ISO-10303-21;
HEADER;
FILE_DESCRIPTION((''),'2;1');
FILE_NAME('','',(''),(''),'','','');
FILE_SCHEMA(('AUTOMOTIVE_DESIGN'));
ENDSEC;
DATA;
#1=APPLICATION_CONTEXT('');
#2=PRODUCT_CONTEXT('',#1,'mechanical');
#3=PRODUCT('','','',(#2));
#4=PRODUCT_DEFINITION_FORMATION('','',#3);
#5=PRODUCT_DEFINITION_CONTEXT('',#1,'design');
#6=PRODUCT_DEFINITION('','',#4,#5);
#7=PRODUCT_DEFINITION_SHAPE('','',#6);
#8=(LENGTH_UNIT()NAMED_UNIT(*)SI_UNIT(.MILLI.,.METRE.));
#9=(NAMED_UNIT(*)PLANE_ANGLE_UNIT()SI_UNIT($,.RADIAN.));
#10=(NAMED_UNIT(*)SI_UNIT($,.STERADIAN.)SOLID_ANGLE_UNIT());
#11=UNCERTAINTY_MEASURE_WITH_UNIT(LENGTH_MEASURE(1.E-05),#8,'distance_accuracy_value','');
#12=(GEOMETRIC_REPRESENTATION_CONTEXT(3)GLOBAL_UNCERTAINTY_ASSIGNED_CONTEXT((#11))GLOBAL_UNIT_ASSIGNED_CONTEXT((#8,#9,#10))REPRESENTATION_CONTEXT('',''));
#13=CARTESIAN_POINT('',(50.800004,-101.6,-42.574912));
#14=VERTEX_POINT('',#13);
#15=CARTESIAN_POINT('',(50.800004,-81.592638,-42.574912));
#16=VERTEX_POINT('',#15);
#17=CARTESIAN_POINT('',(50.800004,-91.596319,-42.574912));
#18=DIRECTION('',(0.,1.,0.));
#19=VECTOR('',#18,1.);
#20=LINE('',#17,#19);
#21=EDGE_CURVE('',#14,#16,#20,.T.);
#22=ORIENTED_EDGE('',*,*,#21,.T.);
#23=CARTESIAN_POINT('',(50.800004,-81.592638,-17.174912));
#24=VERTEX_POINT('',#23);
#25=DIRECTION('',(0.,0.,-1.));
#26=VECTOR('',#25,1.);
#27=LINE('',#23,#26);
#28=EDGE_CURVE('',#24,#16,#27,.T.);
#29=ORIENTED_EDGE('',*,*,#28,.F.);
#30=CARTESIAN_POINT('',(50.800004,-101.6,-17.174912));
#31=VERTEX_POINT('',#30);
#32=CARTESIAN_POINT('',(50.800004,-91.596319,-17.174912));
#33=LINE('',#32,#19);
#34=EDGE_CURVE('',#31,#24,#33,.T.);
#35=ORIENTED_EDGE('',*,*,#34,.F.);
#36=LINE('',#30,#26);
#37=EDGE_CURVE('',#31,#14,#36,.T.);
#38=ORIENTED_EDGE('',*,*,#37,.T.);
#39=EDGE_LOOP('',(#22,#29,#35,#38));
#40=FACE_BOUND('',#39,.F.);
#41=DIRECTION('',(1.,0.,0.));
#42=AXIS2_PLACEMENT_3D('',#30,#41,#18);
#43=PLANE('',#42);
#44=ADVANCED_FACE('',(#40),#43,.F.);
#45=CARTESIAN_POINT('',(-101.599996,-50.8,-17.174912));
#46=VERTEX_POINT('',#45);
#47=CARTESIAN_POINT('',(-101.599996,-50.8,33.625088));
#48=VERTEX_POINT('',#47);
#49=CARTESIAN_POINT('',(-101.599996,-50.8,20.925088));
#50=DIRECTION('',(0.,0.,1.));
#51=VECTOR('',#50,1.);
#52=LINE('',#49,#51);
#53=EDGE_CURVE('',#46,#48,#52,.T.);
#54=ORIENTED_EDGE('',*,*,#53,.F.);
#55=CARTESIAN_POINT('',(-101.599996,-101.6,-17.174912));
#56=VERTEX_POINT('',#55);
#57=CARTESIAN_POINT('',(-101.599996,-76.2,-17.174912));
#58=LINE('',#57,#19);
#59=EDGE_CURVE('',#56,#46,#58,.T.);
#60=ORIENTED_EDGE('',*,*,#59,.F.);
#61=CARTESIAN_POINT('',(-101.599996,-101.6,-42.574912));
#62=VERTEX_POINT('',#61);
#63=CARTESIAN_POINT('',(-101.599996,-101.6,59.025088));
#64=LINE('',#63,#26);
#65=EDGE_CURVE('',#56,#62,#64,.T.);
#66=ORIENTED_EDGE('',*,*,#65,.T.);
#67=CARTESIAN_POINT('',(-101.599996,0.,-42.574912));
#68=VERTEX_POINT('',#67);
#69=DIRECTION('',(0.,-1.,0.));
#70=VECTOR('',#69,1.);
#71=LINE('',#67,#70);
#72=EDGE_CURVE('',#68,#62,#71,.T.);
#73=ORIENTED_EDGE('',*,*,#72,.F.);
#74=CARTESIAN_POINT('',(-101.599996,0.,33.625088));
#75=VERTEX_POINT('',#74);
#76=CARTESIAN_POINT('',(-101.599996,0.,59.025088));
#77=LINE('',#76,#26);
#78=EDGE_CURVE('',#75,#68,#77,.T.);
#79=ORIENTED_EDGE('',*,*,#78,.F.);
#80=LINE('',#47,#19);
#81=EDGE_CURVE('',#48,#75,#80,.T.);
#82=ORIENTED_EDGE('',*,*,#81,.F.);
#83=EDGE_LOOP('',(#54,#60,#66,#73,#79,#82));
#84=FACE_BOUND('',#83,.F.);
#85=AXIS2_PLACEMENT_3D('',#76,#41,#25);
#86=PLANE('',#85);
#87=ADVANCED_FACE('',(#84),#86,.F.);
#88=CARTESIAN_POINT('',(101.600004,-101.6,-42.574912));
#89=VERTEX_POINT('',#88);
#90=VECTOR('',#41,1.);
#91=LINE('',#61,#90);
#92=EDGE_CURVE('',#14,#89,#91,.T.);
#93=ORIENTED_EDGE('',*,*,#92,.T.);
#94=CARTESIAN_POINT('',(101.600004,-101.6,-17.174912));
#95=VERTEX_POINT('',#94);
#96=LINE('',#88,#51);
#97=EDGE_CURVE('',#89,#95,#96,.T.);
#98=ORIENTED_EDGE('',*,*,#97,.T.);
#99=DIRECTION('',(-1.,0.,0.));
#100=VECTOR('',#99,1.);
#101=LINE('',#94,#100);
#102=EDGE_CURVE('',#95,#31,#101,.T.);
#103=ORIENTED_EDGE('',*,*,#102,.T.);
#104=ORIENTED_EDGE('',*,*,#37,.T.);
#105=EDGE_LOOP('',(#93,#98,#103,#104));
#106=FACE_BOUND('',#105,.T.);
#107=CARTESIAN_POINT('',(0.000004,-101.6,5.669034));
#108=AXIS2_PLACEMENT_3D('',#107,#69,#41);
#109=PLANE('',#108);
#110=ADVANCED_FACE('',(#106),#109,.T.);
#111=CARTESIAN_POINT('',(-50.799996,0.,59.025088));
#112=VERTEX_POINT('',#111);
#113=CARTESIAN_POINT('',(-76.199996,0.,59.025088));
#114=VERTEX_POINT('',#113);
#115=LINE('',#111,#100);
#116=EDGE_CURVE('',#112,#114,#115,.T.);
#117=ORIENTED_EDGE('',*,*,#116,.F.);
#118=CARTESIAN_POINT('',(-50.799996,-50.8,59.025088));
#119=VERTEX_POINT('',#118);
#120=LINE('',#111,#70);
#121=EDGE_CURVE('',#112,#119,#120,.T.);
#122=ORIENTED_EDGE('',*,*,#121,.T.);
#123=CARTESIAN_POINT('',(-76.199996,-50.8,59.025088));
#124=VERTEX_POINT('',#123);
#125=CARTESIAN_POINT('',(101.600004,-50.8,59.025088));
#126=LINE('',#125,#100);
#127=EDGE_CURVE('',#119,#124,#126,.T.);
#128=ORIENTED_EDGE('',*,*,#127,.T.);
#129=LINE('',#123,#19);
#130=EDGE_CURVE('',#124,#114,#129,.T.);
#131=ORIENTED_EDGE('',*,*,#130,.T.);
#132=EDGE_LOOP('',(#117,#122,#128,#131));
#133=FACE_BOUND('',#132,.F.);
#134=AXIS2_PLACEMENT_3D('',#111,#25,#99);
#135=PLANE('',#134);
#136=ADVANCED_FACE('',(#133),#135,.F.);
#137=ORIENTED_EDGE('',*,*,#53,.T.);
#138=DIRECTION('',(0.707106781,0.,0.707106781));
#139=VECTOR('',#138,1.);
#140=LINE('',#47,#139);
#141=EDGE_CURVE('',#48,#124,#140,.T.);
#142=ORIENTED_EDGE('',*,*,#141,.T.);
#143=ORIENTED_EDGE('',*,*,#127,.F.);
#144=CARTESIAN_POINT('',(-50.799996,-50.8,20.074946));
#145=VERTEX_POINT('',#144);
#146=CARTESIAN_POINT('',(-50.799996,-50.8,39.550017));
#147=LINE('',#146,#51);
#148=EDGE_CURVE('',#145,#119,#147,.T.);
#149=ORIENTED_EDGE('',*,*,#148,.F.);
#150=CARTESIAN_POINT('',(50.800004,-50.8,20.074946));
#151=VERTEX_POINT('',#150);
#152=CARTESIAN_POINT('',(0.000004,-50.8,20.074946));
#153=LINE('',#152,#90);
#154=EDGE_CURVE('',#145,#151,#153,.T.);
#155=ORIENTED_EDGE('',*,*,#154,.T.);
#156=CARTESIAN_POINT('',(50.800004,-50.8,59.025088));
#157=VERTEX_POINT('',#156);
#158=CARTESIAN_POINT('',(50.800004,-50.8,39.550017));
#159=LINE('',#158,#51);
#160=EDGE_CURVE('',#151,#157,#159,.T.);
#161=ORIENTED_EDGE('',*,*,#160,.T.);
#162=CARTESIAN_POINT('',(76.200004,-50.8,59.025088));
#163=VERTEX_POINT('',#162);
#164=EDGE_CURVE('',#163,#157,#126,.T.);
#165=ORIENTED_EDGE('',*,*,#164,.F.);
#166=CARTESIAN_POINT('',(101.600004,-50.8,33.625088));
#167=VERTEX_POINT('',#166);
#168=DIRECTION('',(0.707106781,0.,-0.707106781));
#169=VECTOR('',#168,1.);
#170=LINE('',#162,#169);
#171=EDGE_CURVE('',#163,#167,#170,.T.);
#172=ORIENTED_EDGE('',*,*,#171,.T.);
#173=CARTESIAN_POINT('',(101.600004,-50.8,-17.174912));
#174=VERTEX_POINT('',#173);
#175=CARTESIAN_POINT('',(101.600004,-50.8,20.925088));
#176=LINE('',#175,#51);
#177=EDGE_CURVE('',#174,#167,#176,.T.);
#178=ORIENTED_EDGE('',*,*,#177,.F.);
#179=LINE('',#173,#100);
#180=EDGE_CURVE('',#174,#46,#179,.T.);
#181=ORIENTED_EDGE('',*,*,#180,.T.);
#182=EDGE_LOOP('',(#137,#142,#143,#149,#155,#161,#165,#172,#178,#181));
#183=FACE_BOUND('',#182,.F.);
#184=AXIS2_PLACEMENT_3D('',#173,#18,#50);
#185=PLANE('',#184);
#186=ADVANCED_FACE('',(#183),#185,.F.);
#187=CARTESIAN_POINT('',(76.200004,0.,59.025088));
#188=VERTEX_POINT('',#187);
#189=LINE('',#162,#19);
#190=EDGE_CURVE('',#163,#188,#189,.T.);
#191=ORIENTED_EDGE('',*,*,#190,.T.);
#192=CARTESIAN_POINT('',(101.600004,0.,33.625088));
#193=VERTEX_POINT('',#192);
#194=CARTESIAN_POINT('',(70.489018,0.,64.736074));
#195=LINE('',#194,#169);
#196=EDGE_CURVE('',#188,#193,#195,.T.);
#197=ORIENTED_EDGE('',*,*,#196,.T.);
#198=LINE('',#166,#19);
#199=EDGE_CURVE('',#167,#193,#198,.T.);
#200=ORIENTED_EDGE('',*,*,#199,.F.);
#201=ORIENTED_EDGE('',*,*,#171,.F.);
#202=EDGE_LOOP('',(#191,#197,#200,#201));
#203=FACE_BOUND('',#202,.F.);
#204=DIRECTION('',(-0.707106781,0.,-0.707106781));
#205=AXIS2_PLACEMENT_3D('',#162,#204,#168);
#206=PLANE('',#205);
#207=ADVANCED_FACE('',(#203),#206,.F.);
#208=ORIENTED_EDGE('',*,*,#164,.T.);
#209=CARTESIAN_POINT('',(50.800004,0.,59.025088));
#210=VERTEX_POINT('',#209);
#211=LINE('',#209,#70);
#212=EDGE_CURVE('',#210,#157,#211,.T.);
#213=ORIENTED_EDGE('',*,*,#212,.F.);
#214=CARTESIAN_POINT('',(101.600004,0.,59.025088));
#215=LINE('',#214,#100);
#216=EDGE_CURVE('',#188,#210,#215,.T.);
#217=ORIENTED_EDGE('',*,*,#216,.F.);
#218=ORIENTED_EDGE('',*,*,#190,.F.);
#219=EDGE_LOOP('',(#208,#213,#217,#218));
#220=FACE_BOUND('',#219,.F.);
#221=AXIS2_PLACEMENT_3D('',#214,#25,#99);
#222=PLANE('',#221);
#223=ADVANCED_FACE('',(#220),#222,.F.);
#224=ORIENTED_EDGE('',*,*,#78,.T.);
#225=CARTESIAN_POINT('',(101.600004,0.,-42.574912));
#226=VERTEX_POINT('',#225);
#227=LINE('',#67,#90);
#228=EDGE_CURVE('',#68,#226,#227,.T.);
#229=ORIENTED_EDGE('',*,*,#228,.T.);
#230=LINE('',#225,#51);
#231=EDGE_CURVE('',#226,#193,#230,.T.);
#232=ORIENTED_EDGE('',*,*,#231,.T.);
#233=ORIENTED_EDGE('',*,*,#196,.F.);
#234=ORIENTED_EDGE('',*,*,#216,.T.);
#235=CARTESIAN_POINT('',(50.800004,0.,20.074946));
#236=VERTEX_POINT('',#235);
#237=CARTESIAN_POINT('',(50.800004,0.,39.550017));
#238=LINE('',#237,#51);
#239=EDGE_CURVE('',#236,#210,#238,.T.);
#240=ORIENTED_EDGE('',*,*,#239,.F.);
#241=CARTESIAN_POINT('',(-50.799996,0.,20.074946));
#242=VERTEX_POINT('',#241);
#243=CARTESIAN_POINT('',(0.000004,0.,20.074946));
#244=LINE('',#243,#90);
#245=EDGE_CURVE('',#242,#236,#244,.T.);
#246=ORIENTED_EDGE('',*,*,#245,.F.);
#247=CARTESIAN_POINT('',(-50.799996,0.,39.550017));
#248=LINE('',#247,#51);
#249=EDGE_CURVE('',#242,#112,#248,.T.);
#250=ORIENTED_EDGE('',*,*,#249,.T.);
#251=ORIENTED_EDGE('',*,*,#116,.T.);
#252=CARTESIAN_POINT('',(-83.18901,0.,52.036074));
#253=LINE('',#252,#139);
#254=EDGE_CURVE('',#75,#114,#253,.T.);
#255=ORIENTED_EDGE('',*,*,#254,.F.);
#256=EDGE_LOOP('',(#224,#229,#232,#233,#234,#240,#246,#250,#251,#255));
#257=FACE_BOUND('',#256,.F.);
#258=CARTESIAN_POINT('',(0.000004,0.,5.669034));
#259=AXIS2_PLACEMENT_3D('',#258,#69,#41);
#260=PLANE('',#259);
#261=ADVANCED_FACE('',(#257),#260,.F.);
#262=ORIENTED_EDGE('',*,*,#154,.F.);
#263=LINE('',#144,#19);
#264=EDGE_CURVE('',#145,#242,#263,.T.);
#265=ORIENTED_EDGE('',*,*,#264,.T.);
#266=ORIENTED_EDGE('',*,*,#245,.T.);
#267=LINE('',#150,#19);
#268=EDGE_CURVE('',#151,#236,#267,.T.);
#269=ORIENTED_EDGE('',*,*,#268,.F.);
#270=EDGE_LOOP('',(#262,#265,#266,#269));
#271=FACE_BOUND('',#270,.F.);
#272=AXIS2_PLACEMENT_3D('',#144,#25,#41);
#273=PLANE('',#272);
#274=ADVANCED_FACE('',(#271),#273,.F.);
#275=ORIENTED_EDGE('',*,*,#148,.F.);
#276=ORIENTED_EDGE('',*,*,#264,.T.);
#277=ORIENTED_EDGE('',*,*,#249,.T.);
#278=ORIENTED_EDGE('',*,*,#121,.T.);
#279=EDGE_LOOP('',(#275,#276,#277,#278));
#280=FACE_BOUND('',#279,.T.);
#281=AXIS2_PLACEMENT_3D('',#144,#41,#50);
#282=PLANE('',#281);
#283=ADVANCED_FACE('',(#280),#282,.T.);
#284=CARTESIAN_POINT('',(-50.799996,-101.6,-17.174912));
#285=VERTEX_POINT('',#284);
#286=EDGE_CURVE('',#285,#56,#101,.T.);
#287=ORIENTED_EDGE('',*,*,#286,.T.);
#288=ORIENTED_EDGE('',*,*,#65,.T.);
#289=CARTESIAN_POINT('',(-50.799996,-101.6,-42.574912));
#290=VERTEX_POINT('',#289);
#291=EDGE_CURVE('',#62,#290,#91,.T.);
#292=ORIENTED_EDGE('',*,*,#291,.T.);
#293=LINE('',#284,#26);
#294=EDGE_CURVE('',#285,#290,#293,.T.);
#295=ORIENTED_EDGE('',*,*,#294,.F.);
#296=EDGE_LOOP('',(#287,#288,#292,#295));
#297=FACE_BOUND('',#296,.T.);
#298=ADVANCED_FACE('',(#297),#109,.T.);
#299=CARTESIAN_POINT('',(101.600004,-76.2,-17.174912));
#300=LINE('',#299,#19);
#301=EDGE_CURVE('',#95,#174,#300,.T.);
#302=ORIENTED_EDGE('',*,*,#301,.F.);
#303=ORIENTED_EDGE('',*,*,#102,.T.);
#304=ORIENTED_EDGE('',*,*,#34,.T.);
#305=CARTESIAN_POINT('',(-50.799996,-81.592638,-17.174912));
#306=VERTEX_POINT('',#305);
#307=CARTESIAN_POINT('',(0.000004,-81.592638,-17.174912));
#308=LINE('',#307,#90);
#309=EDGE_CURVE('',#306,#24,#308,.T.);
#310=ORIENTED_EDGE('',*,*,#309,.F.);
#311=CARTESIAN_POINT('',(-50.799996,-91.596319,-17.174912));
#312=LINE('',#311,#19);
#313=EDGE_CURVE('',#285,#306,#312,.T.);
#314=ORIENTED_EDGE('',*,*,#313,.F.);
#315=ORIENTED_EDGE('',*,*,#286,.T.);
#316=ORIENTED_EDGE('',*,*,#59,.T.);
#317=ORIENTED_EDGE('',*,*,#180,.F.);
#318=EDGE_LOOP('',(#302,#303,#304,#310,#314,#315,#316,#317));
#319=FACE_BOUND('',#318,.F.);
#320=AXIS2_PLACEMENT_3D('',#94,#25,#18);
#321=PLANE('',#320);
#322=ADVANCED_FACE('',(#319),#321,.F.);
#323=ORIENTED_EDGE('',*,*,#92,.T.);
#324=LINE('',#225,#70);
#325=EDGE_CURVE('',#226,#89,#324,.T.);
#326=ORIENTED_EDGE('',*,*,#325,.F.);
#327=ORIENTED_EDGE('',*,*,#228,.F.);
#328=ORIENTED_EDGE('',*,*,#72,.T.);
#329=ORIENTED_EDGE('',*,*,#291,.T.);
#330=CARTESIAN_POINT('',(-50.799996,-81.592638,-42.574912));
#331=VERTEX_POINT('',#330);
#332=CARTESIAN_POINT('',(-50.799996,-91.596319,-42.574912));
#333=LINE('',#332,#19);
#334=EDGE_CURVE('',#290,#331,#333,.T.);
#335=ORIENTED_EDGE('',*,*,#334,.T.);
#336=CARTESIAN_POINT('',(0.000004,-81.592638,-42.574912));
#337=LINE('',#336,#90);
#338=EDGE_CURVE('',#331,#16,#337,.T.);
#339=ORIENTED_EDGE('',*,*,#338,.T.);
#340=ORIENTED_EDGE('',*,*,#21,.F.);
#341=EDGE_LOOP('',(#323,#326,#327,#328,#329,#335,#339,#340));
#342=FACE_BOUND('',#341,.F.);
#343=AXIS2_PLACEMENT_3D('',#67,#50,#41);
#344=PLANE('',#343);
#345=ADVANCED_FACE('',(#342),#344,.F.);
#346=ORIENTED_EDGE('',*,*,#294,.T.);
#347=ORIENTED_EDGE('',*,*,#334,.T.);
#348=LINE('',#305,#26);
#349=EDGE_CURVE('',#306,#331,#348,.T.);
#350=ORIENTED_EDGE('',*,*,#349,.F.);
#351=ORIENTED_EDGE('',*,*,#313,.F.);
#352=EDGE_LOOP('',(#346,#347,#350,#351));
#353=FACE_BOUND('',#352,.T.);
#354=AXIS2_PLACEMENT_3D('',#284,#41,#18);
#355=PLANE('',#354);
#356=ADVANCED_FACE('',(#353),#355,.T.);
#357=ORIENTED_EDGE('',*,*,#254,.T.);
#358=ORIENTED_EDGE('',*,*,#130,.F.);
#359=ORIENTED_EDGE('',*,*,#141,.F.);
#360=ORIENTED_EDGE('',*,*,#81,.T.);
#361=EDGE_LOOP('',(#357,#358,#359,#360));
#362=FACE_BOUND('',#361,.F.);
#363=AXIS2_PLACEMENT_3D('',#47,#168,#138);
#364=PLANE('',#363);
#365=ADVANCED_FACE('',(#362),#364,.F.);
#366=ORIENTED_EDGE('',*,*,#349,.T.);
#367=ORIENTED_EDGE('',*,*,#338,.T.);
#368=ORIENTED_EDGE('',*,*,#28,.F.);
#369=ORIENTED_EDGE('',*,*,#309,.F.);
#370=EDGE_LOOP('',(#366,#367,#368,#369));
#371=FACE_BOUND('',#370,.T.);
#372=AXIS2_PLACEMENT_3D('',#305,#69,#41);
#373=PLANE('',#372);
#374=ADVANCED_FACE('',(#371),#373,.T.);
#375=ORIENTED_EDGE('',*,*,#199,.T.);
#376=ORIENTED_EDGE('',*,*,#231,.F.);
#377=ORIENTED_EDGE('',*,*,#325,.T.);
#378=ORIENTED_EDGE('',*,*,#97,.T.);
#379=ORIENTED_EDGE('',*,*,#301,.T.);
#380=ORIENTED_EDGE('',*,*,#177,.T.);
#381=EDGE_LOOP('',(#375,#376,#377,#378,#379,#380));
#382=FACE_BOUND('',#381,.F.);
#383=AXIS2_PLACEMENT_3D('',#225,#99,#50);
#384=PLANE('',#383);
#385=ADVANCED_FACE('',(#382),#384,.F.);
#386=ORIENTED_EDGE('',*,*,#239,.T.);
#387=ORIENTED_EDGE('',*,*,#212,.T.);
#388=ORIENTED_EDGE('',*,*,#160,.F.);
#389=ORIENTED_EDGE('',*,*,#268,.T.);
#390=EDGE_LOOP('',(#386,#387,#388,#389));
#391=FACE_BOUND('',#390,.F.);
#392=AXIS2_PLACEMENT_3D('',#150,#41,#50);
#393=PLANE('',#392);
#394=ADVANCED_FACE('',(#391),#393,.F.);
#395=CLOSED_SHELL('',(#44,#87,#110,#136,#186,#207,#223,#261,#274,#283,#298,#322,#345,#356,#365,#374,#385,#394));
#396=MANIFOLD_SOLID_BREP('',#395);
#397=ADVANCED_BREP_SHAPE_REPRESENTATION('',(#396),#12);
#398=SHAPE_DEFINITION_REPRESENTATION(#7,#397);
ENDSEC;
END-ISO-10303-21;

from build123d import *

# Parameters (mm, degrees)
F0_W      = 101.6
F0_H      = 42.112397
F1_DEPTH  = 101.6
F2_W      = 50.8
F2_H      = 76.2
F3_DEPTH  = 203.2
F4_W      = 101.6
F4_H      = 20.007362
F5_DEPTH  = 25.4
F6_W      = 101.6
F6_H      = 38.950141
F7_DEPTH  = 50.8
F9_DEPTH  = 101.6
F11_DEPTH = 101.6


with BuildPart() as f1:
    # F0 (on Front) → F1 (new body)
    with BuildSketch(Plane.XZ):
        Polygon((-50.799996, 59.025088), (-101.599996, 59.025088), (-101.599996, -42.574912), (101.600004, -42.574912), (101.600004, 59.025088), (50.800004, 59.025088), (50.800004, 16.912691), (-50.799996, 16.912691), align=None)
        with Locations((4e-06, 37.968889)):
            Rectangle(F0_W, F0_H)
    extrude(amount=F1_DEPTH)

    # F2 (on face) → F3 (cut)
    with BuildSketch(Plane.YZ.offset(101.600004)):
        with Locations((-76.2, 20.925088)):
            Rectangle(F2_W, F2_H)
    extrude(amount=-F3_DEPTH, mode=Mode.SUBTRACT)

    # F4 (on face) → F5 (cut)
    with BuildSketch(Plane.XY.offset(-17.174912)):
        with Locations((4e-06, -91.596319)):
            Rectangle(F4_W, F4_H)
    extrude(amount=-F5_DEPTH, mode=Mode.SUBTRACT)

    # F6 (on face) → F7 (cut)
    with BuildSketch(Plane.XZ.offset(50.8)):
        with Locations((4e-06, 39.550017)):
            Rectangle(F6_W, F6_H)
    extrude(amount=-F7_DEPTH, mode=Mode.SUBTRACT)

    # F8 (on face) → F9 (cut)
    with BuildSketch(Plane.XZ.offset(50.8)):
        Polygon((-76.199996, 59.025088), (-101.599996, 59.025088), (-101.599996, 33.625088), align=None)
    extrude(amount=-F9_DEPTH, mode=Mode.SUBTRACT)

    # F10 (on face) → F11 (cut)
    with BuildSketch(Plane.XZ.offset(50.8)):
        Polygon((76.200004, 59.025088), (101.600004, 33.625088), (101.600004, 59.025088), align=None)
    extrude(amount=-F11_DEPTH, mode=Mode.SUBTRACT)


solid = f1.part
